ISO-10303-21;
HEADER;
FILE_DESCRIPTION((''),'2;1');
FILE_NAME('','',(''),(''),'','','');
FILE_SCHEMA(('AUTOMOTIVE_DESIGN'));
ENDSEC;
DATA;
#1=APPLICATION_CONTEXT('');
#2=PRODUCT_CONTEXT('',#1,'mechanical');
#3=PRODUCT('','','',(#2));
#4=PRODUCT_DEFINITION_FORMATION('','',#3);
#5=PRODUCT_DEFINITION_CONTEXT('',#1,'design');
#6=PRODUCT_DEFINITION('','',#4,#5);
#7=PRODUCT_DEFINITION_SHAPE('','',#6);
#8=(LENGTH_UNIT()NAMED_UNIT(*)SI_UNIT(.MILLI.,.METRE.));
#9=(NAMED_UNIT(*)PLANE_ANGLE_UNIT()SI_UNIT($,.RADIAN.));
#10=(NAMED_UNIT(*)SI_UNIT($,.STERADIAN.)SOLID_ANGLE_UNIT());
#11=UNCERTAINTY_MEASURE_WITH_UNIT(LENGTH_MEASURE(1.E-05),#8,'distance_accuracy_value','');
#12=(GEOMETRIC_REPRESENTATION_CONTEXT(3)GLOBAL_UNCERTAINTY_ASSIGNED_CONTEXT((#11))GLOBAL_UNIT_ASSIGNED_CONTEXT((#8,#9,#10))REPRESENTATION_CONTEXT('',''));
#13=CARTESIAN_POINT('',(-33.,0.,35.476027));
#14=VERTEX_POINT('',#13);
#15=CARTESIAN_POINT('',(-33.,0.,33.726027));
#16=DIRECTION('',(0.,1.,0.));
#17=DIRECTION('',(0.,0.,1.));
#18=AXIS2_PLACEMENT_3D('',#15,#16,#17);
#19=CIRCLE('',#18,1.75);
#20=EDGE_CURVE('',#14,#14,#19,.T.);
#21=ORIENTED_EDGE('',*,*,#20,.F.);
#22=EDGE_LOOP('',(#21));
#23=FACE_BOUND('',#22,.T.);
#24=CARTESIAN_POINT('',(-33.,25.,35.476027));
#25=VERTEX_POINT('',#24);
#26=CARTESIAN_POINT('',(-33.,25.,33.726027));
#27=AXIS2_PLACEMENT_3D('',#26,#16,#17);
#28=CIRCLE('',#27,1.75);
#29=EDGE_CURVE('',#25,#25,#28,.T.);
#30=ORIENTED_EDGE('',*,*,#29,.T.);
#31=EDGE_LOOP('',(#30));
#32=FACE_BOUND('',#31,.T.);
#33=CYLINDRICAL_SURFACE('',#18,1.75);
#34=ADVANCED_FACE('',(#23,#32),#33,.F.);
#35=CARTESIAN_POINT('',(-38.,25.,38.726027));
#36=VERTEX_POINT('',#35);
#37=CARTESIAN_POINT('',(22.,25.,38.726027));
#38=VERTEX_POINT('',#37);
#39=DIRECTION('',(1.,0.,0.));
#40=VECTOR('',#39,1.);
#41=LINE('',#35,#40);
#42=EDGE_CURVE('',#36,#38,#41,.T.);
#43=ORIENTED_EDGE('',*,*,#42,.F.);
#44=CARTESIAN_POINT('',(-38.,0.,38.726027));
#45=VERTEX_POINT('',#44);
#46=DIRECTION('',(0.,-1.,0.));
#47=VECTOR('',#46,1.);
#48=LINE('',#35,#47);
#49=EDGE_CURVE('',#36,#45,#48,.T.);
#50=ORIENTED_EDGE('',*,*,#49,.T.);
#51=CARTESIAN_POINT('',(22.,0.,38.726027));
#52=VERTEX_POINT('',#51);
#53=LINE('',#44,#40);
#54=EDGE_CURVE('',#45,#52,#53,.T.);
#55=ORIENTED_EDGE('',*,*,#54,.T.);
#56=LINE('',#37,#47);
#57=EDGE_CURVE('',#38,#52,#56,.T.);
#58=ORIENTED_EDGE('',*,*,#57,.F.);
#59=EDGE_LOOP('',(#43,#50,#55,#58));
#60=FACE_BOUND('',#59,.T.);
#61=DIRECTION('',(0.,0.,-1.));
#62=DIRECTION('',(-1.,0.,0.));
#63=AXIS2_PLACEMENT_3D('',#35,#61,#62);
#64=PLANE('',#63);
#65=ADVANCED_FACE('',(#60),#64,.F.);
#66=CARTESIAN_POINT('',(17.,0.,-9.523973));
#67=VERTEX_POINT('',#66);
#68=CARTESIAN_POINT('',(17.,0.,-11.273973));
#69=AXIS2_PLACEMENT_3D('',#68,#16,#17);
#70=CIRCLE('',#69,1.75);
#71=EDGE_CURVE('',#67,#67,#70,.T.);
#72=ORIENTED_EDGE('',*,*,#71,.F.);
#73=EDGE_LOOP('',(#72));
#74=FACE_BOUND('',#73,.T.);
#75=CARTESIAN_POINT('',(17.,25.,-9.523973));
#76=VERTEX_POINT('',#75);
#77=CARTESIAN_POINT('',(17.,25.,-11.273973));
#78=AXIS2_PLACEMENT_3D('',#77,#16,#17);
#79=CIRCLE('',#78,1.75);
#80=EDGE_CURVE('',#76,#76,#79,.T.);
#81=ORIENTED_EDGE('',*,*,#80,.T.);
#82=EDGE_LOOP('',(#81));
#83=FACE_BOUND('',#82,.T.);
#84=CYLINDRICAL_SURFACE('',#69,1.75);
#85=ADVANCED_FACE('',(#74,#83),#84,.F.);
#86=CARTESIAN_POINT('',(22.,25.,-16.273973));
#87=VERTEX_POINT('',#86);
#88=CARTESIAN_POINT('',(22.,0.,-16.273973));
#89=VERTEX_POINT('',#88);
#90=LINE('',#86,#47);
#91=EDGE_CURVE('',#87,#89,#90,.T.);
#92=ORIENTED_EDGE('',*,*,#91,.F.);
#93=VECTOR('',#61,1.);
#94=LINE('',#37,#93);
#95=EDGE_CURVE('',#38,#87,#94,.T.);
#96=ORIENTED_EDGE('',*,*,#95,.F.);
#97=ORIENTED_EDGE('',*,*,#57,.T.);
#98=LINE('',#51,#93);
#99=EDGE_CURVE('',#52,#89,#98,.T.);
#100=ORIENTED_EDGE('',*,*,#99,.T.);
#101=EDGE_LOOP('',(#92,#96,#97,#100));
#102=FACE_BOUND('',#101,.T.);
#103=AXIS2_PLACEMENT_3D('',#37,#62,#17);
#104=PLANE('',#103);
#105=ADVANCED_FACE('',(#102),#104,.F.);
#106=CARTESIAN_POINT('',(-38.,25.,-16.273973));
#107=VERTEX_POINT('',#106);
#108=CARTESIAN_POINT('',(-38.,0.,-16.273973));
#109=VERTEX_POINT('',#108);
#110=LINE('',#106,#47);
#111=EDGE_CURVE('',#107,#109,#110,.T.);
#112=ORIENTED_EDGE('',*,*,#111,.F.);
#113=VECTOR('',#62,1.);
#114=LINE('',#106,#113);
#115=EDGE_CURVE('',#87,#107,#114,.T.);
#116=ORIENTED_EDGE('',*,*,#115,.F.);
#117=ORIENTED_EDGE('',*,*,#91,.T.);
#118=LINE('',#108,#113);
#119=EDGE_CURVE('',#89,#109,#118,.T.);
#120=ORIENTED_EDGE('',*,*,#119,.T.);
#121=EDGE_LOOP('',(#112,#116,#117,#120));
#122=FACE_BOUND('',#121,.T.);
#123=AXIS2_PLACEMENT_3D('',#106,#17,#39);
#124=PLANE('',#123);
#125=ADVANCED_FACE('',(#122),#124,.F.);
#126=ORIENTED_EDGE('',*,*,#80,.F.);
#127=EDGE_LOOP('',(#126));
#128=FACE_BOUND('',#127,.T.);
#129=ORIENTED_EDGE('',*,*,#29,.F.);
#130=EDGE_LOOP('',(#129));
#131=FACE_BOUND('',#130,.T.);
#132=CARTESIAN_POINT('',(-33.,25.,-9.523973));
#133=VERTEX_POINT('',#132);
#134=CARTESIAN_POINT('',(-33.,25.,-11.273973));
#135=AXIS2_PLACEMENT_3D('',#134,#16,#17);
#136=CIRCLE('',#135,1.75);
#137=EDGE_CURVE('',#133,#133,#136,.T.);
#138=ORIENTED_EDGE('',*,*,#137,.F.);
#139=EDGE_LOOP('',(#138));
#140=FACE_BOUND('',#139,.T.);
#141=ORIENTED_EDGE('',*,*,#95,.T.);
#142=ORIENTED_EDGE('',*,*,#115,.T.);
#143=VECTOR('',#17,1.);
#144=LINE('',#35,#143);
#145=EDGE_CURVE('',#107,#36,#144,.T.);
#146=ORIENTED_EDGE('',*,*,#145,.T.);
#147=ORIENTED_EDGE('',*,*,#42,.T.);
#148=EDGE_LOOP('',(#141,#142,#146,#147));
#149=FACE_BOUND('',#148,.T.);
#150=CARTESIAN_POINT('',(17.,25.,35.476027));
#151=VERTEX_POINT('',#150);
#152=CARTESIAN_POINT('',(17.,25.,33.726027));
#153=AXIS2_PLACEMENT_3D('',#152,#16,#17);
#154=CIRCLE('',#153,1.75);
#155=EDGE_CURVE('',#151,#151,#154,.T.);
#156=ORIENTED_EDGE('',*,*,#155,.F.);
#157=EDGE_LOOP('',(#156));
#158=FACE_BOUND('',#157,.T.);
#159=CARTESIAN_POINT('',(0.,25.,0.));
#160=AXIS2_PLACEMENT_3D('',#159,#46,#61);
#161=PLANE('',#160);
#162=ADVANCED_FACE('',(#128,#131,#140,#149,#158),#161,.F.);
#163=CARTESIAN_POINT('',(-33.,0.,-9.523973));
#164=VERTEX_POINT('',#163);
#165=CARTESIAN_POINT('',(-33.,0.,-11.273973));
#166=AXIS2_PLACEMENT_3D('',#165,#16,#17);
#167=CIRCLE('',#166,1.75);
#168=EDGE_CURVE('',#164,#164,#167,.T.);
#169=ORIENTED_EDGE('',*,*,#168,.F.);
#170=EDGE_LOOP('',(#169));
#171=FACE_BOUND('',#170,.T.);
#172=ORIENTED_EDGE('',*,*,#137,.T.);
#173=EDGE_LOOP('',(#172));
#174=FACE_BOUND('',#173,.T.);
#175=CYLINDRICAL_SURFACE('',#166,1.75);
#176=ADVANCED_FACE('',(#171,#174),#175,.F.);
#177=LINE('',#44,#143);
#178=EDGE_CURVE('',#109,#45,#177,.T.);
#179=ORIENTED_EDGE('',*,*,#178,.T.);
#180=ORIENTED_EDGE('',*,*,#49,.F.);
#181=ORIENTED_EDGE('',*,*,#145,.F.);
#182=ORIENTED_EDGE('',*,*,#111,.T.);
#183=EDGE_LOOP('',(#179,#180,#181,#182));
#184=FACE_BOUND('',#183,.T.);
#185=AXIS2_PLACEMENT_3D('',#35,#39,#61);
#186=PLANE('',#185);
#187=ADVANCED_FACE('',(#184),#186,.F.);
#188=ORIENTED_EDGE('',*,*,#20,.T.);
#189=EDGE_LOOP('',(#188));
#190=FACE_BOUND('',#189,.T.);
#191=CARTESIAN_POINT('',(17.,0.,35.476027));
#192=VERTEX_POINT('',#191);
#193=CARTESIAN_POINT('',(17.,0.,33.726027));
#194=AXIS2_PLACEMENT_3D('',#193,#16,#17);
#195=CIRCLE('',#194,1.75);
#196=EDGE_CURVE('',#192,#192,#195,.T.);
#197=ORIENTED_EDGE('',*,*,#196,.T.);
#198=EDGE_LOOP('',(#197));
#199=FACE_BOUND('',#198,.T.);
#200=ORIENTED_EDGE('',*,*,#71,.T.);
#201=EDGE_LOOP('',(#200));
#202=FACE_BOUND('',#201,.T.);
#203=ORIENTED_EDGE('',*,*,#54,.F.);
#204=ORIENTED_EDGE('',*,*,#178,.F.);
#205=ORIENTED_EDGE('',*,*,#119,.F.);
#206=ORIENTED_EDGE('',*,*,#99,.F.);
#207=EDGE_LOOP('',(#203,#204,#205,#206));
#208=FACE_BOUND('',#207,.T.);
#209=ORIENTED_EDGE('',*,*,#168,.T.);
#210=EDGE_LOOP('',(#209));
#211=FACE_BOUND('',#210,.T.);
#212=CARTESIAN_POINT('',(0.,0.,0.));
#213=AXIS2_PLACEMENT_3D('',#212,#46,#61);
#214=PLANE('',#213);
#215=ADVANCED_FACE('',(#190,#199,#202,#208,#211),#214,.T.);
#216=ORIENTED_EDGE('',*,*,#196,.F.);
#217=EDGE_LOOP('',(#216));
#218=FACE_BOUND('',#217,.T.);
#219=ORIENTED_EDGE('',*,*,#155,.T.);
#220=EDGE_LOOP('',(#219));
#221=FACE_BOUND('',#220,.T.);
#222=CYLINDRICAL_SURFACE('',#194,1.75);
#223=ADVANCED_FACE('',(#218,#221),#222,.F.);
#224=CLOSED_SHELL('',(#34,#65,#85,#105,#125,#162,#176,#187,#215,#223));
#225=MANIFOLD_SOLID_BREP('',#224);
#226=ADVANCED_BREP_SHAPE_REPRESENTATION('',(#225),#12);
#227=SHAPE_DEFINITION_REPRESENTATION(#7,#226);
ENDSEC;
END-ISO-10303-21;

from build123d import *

# Parameters (mm, degrees)
SKETCH1_W           = 60
SKETCH1_H           = 55
BOSS_EXTRUDE1_DEPTH = 25
SKETCH2_R           = 1.75
CUT_EXTRUDE1_DEPTH  = 26


with BuildPart() as part:
    # Sketch1 → Boss-Extrude1 (new body)
    with BuildSketch(Plane(origin=(0, 0, 0), x_dir=(1, 0, 0), z_dir=(0, 1, 0))):
        with Locations((-8, -11.226027397)):
            Rectangle(SKETCH1_W, SKETCH1_H)
    extrude(amount=BOSS_EXTRUDE1_DEPTH)

    # Sketch2 → Cut-Extrude1 (cut, through all)
    with BuildSketch(Plane(origin=(0, 25, 0), x_dir=(1, 0, 0), z_dir=(0, 1, 0))):
        with Locations((-33, 11.273972603)):
            Circle(SKETCH2_R)
        with Locations((17, 11.273972603)):
            Circle(SKETCH2_R)
        with Locations((17, -33.726027397)):
            Circle(SKETCH2_R)
        with Locations((-33, -33.726027397)):
            Circle(SKETCH2_R)
    extrude(amount=-CUT_EXTRUDE1_DEPTH, mode=Mode.SUBTRACT)


solid = part.part
